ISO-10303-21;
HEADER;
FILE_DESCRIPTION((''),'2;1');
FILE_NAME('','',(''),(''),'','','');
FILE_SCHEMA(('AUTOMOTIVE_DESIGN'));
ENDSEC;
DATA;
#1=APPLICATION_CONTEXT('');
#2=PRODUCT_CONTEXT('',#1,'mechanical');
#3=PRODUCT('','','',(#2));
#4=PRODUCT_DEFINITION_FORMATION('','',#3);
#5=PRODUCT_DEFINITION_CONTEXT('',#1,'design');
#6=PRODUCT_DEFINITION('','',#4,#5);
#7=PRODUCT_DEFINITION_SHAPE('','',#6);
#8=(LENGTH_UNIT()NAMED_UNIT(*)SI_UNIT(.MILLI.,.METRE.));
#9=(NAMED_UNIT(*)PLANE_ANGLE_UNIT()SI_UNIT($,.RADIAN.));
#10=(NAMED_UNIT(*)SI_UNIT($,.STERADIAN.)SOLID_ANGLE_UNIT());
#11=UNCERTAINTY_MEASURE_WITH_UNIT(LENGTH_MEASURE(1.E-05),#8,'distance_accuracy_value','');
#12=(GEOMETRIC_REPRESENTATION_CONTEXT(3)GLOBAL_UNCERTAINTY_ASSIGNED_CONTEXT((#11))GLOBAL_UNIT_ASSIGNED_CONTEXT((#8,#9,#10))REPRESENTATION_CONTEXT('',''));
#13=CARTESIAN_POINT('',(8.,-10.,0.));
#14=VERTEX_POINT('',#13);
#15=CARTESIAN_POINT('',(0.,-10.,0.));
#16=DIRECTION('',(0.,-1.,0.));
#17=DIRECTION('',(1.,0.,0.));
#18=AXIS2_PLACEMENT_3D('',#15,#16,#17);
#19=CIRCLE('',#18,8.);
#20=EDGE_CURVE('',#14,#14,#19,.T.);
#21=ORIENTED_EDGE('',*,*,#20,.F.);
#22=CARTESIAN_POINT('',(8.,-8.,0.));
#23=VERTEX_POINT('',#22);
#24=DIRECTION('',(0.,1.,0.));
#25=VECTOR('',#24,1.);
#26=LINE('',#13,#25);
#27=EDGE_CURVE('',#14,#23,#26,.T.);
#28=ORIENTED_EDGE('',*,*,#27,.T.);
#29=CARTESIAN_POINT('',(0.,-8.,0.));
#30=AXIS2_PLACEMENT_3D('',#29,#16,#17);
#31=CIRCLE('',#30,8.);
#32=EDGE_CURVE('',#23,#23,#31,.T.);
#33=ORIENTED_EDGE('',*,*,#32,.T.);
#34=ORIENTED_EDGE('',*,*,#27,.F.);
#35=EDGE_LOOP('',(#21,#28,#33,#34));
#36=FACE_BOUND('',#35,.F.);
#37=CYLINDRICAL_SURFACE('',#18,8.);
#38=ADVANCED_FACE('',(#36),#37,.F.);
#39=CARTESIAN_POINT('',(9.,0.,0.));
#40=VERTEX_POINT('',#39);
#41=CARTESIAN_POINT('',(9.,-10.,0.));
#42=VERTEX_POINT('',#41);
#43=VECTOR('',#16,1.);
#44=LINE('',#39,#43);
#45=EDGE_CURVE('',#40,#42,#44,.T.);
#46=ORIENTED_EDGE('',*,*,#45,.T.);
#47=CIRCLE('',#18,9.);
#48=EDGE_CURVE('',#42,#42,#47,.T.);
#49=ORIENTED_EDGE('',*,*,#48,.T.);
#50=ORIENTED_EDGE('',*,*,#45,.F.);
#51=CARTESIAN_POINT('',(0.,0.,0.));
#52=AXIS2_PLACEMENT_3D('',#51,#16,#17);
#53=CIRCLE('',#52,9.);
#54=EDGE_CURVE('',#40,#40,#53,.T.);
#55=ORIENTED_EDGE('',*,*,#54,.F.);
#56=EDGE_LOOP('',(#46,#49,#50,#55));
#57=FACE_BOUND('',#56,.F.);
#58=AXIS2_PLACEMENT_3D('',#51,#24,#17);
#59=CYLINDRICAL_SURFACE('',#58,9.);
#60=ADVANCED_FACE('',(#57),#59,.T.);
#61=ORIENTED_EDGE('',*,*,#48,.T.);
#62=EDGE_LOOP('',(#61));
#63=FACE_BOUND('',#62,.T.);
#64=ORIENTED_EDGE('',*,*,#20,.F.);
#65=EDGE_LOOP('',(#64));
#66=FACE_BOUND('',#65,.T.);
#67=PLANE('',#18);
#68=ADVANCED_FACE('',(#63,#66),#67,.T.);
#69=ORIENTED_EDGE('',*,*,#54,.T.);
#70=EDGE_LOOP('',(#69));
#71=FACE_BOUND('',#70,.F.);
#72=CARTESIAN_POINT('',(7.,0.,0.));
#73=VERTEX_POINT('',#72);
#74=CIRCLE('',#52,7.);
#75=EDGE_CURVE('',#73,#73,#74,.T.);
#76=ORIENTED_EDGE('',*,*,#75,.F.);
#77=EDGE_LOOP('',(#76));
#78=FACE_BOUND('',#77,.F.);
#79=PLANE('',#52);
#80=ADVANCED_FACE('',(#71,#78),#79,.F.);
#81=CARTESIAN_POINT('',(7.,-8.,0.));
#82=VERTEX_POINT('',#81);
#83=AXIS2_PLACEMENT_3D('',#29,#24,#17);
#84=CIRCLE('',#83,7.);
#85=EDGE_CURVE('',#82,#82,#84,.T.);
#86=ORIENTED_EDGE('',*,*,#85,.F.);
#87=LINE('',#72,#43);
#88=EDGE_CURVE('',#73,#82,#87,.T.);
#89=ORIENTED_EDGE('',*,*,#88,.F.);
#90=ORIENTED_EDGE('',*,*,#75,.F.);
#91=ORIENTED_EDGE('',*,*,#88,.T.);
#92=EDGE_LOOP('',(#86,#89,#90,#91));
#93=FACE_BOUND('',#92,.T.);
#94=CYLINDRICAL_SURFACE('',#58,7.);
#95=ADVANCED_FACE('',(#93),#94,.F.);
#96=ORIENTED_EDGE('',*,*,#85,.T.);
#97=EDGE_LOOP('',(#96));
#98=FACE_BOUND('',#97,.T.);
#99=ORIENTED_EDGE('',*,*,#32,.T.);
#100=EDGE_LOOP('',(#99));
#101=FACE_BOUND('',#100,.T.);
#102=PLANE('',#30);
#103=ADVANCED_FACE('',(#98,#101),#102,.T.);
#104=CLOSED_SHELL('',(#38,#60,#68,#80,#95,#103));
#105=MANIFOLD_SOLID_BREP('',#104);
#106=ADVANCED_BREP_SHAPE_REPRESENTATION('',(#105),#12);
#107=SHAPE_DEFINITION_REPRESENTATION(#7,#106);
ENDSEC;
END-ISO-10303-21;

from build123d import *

# Parameters (mm, degrees)
F0_R     = 9
F0_R_2   = 7
F1_DEPTH = 10
F3_R     = 8
F4_DEPTH = 2


with BuildPart() as f1:
    # F0 (on Front) → F1 (new body)
    with BuildSketch(Plane.XZ):
        Circle(F0_R)
        Circle(F0_R_2, mode=Mode.SUBTRACT)
    extrude(amount=F1_DEPTH)

    # F3 (on offset) → F4 (cut)
    with BuildSketch(Plane.XZ.offset(10)):
        Circle(F3_R)
    extrude(amount=-F4_DEPTH, mode=Mode.SUBTRACT)


solid = f1.part
